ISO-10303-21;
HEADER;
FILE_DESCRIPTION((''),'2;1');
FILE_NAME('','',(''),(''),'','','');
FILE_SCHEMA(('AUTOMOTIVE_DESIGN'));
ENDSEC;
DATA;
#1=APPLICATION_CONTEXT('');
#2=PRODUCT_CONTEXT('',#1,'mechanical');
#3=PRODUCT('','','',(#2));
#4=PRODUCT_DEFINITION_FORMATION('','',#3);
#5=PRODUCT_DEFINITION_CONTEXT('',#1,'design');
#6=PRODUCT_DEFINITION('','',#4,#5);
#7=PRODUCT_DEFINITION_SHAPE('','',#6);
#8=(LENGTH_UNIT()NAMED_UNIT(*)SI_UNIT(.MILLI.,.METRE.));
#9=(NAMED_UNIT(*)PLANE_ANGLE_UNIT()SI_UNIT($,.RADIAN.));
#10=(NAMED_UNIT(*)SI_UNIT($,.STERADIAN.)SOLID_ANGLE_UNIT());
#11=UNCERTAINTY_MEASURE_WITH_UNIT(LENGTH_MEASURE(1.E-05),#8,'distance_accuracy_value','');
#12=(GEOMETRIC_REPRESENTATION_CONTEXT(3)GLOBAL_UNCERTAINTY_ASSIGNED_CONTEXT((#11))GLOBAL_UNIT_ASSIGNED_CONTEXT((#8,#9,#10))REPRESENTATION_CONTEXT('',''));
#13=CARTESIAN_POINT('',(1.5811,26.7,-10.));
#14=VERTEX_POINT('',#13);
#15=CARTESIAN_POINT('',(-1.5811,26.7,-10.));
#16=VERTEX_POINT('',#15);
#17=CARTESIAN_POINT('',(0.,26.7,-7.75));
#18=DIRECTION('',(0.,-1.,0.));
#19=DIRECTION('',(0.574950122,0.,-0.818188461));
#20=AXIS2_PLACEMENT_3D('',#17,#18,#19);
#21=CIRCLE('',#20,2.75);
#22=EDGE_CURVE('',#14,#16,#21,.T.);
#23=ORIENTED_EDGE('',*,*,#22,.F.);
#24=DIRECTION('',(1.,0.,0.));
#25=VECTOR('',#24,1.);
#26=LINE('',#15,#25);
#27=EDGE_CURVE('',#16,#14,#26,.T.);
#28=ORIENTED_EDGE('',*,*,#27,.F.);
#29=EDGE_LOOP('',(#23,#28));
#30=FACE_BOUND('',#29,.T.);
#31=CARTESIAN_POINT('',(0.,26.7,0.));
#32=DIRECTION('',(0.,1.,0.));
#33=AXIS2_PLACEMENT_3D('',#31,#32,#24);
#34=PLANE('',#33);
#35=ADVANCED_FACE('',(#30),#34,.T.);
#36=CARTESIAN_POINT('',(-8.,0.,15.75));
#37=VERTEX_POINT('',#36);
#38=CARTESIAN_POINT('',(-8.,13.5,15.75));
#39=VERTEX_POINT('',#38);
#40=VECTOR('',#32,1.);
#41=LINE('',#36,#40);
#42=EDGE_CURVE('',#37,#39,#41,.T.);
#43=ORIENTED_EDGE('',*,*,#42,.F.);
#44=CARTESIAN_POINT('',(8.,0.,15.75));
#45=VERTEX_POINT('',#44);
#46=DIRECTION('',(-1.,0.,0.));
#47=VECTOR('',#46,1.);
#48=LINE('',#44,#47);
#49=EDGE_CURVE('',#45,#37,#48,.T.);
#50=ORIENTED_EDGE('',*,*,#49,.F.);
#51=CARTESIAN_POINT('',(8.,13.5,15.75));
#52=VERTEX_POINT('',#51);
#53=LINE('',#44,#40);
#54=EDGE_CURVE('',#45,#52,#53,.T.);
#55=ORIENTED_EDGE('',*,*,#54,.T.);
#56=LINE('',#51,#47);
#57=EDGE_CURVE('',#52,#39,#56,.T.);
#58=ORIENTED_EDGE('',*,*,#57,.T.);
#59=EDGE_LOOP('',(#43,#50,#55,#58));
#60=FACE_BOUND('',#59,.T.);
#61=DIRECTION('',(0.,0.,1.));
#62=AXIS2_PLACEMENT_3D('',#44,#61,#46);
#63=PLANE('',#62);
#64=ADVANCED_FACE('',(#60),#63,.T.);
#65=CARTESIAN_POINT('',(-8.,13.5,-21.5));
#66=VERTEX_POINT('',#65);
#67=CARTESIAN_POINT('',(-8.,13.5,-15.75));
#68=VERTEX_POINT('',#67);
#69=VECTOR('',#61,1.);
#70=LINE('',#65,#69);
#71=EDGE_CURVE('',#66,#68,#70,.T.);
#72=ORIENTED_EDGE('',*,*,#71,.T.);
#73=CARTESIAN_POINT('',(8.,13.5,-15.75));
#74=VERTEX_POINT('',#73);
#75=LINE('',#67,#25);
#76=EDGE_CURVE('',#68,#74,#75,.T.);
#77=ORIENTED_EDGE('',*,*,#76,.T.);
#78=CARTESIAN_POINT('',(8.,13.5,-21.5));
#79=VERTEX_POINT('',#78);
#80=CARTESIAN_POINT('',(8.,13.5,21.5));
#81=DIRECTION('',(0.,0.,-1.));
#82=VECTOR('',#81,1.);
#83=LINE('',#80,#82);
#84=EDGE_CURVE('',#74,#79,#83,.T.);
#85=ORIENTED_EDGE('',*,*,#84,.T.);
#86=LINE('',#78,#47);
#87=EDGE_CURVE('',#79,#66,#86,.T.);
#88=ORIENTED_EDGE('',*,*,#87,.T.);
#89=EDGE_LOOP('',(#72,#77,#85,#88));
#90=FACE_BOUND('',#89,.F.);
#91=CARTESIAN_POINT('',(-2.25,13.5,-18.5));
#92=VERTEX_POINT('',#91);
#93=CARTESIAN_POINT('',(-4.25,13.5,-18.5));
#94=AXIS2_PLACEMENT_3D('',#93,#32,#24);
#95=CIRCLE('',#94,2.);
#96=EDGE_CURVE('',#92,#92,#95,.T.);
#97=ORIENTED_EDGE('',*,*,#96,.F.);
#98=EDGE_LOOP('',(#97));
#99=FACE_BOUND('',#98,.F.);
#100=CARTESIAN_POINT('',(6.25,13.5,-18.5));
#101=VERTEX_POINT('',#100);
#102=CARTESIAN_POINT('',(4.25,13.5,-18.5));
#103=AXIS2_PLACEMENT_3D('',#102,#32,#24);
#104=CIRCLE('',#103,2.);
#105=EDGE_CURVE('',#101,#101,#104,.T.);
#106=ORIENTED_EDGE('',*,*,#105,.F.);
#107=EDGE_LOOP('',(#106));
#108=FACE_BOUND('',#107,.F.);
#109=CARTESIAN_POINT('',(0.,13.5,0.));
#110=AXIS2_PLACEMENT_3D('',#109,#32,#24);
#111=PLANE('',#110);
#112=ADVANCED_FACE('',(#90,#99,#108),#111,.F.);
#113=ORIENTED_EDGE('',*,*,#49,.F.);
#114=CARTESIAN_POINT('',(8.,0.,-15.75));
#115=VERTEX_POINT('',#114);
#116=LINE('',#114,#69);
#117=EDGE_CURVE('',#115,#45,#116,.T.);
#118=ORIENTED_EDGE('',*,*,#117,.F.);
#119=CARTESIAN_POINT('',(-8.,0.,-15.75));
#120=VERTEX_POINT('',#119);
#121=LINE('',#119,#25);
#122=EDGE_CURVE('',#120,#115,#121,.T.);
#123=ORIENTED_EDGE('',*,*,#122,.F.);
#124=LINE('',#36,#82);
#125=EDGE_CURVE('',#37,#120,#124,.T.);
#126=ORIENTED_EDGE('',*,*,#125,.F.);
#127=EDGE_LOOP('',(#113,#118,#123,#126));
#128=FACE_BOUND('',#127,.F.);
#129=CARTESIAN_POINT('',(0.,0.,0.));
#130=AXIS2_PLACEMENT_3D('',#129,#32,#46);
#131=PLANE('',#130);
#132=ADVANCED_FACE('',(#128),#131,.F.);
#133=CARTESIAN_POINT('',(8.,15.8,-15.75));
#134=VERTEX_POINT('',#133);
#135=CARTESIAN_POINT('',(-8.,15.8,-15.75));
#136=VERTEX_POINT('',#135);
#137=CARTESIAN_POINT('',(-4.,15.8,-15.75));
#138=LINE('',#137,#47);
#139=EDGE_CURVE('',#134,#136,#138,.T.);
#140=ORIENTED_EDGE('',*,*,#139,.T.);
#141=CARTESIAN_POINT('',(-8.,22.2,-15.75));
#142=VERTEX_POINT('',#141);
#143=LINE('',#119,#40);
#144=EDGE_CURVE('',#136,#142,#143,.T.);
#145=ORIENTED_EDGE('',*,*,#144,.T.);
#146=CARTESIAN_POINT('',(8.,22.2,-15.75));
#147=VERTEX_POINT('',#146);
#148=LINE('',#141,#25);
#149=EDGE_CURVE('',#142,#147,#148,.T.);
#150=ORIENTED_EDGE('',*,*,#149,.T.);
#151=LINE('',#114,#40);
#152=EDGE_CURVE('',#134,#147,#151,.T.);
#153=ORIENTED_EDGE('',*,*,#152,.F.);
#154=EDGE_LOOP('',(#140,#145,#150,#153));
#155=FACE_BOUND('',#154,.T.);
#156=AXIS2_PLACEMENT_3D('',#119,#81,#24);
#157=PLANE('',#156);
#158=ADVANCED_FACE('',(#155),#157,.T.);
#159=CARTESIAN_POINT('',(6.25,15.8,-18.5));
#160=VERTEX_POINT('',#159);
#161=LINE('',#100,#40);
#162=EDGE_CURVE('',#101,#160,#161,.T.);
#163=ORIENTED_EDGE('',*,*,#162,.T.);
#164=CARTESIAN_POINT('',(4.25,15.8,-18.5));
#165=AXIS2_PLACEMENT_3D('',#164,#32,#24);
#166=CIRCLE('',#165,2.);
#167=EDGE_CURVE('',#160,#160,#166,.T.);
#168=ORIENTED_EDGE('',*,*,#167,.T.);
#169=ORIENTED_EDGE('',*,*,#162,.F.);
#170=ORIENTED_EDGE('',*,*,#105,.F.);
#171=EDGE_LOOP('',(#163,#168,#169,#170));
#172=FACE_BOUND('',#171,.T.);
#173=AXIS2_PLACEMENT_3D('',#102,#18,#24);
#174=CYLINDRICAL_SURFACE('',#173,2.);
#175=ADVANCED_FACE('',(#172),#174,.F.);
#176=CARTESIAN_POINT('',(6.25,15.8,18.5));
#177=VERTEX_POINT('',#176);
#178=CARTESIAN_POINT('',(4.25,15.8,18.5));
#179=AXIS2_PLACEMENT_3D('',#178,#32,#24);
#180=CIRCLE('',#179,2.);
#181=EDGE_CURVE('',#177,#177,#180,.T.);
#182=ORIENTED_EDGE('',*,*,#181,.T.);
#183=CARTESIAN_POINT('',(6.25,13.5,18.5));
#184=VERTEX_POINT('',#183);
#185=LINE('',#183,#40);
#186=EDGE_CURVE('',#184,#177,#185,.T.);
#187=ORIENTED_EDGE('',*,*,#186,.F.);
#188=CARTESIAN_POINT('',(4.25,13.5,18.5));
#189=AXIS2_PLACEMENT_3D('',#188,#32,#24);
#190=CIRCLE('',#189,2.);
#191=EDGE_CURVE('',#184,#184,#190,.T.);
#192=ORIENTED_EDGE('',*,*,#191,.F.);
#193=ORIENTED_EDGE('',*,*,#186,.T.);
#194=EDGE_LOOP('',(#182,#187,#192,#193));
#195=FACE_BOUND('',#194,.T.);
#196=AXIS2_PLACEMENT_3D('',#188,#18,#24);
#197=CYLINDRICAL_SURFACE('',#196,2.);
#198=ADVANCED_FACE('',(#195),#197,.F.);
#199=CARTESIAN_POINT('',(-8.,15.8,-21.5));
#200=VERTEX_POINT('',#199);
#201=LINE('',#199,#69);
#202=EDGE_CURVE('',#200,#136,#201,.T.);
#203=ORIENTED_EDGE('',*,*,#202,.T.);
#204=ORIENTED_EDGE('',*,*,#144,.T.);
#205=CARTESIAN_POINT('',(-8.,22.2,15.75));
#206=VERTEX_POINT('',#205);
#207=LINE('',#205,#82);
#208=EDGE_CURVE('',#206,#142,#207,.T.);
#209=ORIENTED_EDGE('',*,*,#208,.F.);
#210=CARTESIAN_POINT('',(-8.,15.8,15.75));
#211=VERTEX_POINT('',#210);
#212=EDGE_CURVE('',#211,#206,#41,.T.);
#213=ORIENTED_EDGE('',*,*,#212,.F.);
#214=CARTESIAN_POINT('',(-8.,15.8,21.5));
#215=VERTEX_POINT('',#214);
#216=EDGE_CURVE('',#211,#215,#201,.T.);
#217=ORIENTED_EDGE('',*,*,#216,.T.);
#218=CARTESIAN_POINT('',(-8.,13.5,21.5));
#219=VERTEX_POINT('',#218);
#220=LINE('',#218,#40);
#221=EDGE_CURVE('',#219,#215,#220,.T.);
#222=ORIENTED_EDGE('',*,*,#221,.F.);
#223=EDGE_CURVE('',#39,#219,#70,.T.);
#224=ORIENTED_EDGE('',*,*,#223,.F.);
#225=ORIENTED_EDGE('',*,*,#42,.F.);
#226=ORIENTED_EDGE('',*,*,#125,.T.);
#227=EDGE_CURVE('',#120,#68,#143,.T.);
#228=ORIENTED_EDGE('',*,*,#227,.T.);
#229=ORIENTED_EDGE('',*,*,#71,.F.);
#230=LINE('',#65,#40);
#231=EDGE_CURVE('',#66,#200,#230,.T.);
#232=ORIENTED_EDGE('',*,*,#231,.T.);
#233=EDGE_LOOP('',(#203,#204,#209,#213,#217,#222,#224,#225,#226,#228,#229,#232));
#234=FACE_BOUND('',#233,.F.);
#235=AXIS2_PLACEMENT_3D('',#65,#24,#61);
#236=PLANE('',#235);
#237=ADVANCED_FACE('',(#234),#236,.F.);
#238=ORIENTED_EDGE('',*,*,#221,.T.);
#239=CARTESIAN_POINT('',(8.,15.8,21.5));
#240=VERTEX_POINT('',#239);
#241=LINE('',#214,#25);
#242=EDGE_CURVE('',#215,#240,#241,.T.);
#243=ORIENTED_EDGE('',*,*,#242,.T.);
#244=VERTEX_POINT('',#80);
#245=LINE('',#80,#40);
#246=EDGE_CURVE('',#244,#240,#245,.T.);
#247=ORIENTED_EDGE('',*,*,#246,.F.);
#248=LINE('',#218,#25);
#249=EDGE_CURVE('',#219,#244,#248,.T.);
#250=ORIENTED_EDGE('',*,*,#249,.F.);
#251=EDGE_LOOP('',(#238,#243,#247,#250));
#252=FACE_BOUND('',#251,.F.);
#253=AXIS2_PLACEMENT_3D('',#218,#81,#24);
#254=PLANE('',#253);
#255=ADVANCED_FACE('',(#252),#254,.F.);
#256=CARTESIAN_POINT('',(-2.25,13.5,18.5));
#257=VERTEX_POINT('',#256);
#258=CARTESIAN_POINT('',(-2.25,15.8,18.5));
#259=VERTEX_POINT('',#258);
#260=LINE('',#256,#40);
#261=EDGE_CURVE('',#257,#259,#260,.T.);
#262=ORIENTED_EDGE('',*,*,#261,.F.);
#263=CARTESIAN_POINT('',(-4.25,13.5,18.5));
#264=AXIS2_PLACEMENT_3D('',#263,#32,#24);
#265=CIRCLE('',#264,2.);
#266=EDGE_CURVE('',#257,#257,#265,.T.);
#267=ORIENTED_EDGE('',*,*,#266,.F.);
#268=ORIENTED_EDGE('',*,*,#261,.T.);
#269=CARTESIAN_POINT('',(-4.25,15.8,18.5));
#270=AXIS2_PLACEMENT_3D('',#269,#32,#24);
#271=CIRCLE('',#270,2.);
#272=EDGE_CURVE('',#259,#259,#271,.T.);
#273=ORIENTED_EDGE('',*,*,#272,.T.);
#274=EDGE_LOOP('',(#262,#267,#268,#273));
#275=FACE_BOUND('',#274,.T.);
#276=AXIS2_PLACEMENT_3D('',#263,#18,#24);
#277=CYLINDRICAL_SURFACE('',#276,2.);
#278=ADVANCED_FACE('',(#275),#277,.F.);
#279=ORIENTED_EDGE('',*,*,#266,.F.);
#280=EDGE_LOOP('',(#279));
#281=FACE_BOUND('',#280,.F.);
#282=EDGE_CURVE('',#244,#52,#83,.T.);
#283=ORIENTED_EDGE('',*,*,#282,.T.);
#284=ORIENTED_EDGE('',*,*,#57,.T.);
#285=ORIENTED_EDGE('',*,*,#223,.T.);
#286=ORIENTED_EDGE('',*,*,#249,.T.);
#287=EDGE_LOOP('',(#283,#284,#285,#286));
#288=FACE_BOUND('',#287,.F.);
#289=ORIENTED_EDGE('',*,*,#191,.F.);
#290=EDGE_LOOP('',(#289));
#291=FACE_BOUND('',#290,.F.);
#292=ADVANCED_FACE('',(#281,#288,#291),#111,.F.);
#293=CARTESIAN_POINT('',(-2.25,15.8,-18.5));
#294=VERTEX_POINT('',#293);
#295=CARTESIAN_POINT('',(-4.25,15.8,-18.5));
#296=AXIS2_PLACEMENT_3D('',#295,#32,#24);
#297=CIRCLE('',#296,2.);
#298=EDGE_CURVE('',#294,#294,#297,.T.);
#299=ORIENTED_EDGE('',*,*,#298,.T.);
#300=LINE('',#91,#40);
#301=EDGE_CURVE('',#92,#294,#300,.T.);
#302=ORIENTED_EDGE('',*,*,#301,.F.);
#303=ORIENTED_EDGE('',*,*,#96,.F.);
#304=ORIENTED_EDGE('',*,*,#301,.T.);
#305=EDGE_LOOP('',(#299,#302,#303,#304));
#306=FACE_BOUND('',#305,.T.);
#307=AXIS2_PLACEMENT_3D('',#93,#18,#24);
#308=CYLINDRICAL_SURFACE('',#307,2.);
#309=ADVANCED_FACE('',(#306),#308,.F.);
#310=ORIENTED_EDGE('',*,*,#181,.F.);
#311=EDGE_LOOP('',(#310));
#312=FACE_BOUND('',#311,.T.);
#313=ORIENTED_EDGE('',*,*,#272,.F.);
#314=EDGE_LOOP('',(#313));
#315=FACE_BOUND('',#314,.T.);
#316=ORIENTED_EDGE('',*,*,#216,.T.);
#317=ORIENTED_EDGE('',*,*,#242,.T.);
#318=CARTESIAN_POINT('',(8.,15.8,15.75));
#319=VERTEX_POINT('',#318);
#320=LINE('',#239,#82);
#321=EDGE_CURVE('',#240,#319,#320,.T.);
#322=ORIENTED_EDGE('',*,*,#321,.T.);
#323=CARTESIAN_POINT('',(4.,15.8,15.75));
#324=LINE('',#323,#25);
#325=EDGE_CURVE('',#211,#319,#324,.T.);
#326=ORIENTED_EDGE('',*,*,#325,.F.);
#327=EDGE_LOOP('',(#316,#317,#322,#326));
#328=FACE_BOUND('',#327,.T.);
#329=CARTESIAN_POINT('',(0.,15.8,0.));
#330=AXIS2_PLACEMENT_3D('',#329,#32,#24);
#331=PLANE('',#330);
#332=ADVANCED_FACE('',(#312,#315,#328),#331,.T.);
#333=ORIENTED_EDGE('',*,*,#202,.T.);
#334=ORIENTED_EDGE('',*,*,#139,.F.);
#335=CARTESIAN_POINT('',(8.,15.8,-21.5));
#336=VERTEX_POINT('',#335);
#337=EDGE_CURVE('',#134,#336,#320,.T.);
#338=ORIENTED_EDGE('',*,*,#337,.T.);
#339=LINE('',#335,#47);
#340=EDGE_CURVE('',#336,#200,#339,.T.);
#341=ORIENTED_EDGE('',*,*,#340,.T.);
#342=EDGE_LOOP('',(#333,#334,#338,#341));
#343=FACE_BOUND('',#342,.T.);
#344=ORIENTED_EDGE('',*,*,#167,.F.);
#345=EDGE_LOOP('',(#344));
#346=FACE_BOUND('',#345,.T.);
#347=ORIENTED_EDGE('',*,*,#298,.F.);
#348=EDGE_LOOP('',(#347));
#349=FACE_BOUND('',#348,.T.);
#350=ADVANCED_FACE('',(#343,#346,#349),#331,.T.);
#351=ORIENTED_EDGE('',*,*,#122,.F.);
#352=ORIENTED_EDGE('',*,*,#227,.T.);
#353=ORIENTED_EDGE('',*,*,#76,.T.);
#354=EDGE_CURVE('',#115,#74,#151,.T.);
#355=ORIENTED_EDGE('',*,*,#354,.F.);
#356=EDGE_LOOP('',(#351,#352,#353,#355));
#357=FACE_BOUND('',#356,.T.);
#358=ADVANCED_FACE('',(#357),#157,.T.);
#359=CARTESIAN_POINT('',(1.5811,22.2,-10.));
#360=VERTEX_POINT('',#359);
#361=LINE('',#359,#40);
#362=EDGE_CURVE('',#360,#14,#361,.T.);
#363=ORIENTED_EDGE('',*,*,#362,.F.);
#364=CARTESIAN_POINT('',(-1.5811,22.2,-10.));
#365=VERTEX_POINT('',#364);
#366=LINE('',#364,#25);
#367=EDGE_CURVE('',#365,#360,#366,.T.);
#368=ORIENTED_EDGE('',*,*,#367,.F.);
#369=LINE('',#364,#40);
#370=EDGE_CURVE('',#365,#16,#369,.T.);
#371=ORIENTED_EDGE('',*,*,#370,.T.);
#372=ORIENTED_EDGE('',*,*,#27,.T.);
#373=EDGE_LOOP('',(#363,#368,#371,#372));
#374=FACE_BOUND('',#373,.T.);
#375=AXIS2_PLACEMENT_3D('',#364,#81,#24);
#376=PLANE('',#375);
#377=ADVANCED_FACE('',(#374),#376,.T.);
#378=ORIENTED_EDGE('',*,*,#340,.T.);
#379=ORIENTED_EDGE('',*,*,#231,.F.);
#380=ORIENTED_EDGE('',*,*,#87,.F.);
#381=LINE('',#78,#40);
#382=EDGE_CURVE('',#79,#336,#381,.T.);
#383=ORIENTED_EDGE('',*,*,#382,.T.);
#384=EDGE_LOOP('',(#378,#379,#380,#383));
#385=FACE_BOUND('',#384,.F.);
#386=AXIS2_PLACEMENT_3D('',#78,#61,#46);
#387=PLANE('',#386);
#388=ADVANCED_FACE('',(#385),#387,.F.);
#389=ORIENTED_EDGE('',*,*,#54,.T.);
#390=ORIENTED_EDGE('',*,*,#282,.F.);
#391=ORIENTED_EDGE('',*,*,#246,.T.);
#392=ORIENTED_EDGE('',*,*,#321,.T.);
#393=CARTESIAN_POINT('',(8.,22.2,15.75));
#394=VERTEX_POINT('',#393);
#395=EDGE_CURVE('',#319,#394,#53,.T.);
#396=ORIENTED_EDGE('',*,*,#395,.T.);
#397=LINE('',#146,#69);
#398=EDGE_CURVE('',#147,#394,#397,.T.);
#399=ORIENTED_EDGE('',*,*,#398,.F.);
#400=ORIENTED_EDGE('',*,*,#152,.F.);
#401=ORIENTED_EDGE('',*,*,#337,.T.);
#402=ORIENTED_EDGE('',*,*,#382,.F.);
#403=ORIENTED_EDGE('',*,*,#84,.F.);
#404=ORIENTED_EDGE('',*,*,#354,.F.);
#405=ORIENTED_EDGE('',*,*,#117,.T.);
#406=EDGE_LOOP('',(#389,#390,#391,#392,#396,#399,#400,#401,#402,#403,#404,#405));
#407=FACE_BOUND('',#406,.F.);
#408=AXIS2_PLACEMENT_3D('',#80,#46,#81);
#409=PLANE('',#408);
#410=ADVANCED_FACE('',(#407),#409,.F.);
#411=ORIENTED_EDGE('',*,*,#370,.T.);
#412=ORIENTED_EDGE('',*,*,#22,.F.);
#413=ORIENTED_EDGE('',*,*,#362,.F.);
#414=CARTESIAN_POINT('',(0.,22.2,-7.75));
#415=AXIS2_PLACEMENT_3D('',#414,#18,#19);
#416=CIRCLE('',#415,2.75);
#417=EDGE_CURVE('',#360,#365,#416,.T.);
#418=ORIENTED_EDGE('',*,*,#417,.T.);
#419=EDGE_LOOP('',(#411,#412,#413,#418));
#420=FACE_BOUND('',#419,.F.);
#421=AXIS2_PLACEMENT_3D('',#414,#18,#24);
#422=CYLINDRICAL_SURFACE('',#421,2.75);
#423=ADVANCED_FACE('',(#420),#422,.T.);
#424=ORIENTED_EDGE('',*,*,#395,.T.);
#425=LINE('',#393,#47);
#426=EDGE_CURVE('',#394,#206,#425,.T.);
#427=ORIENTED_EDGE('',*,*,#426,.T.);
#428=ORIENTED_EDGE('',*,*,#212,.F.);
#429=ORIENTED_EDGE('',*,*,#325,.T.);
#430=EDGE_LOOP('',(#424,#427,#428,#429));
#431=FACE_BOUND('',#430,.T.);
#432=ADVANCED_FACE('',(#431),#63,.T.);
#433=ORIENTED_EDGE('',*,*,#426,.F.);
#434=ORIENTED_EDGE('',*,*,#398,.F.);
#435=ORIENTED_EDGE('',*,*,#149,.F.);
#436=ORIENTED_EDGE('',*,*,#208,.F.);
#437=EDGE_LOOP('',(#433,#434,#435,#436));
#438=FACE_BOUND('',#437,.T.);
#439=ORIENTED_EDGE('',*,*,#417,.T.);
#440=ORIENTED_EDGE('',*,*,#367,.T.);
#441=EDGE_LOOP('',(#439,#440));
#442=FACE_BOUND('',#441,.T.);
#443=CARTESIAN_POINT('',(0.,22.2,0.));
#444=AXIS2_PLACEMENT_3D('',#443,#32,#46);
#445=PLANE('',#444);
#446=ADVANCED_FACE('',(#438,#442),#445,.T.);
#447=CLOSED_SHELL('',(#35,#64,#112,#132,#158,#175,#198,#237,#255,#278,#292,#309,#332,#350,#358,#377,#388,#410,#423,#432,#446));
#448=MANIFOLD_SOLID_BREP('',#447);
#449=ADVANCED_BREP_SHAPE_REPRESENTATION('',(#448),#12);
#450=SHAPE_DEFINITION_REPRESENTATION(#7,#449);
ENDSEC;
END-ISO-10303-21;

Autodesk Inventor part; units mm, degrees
ref_plane "YZ Plane" through (0, 0, 0) normal (1, 0, 0) x (0, 1, 0)
ref_plane "XZ Plane" through (0, 0, 0) normal (0, 1, 0) x (-1, 0, 0)
ref_plane "XY Plane" through (0, 0, 0) normal (0, 0, 1) x (1, 0, 0)
sketch "스케치1" plane through (0, 0, 0) normal (0, 1, 0) x (-1, 0, 0)
  line L0 (-8, 15.75) -> (8, 15.75)
  line L1 (8, 15.75) -> (8, -15.75)
  line L2 (8, -15.75) -> (-8, -15.75)
  line L3 (-8, -15.75) -> (-8, 15.75)
  line L4 (-8, 15.75) -> (8, -15.75) construction
  line L5 (8, 15.75) -> (-8, -15.75) construction
  point P0 (0, 0)
  dimension "d0" = 16
  dimension "d1" = 31.5
extrude "돌출1" add sketch "스케치1" along normal blind 13.5
sketch "스케치2" plane through (0, 13.5, 0) normal (0, 1, 0) x (1, 0, 0)
  line L0 (-8, -21.5) -> (8, -21.5)
  line L1 (8, -21.5) -> (8, 21.5)
  line L2 (8, 21.5) -> (-8, 21.5)
  line L3 (-8, 21.5) -> (-8, -21.5)
  line L4 (-8, -21.5) -> (8, 21.5) construction
  line L5 (8, -21.5) -> (-8, 21.5) construction
  circle A0 centre (-4.25, -18.5) radius 2
  line L6 (0, 0) -> (0, -2.2737)
  line L7 (0, 0) -> (-1.7913, 0)
  circle A1 centre (4.25, -18.5) radius 2
  circle A2 centre (-4.25, 18.5) radius 2
  circle A3 centre (4.25, 18.5) radius 2
  point P0 (-8, 15.75)
  dimension "d4" = 43
  dimension "d5" = 4
  dimension "d6" = 37
  dimension "d7" = 8.5
extrude "돌출2" add sketch "스케치2" along normal blind 2.3
extrude "돌출3" add sketch "스케치1" along normal blind 22.2
sketch "스케치4" plane through (0, 22.2, 0) normal (0, 1, 0) x (1, 0, 0)
  circle A0 centre (0, 7.75) radius 2.75
  line L0 (8, 15.75) -> (-8, 15.75) projected
  line L1 (-1.5811, 10) -> (1.5811, 10)
  point P0 (0, 0)
  dimension "d12" = 8
  dimension "d13" = 5.5
  dimension "d14" = 0.5
extrude "돌출4" add sketch "스케치4" along normal blind 4.5 contours A0 L1 picked at (-0.1073, 8.3396)
properties part number "감속기어 모터'"
